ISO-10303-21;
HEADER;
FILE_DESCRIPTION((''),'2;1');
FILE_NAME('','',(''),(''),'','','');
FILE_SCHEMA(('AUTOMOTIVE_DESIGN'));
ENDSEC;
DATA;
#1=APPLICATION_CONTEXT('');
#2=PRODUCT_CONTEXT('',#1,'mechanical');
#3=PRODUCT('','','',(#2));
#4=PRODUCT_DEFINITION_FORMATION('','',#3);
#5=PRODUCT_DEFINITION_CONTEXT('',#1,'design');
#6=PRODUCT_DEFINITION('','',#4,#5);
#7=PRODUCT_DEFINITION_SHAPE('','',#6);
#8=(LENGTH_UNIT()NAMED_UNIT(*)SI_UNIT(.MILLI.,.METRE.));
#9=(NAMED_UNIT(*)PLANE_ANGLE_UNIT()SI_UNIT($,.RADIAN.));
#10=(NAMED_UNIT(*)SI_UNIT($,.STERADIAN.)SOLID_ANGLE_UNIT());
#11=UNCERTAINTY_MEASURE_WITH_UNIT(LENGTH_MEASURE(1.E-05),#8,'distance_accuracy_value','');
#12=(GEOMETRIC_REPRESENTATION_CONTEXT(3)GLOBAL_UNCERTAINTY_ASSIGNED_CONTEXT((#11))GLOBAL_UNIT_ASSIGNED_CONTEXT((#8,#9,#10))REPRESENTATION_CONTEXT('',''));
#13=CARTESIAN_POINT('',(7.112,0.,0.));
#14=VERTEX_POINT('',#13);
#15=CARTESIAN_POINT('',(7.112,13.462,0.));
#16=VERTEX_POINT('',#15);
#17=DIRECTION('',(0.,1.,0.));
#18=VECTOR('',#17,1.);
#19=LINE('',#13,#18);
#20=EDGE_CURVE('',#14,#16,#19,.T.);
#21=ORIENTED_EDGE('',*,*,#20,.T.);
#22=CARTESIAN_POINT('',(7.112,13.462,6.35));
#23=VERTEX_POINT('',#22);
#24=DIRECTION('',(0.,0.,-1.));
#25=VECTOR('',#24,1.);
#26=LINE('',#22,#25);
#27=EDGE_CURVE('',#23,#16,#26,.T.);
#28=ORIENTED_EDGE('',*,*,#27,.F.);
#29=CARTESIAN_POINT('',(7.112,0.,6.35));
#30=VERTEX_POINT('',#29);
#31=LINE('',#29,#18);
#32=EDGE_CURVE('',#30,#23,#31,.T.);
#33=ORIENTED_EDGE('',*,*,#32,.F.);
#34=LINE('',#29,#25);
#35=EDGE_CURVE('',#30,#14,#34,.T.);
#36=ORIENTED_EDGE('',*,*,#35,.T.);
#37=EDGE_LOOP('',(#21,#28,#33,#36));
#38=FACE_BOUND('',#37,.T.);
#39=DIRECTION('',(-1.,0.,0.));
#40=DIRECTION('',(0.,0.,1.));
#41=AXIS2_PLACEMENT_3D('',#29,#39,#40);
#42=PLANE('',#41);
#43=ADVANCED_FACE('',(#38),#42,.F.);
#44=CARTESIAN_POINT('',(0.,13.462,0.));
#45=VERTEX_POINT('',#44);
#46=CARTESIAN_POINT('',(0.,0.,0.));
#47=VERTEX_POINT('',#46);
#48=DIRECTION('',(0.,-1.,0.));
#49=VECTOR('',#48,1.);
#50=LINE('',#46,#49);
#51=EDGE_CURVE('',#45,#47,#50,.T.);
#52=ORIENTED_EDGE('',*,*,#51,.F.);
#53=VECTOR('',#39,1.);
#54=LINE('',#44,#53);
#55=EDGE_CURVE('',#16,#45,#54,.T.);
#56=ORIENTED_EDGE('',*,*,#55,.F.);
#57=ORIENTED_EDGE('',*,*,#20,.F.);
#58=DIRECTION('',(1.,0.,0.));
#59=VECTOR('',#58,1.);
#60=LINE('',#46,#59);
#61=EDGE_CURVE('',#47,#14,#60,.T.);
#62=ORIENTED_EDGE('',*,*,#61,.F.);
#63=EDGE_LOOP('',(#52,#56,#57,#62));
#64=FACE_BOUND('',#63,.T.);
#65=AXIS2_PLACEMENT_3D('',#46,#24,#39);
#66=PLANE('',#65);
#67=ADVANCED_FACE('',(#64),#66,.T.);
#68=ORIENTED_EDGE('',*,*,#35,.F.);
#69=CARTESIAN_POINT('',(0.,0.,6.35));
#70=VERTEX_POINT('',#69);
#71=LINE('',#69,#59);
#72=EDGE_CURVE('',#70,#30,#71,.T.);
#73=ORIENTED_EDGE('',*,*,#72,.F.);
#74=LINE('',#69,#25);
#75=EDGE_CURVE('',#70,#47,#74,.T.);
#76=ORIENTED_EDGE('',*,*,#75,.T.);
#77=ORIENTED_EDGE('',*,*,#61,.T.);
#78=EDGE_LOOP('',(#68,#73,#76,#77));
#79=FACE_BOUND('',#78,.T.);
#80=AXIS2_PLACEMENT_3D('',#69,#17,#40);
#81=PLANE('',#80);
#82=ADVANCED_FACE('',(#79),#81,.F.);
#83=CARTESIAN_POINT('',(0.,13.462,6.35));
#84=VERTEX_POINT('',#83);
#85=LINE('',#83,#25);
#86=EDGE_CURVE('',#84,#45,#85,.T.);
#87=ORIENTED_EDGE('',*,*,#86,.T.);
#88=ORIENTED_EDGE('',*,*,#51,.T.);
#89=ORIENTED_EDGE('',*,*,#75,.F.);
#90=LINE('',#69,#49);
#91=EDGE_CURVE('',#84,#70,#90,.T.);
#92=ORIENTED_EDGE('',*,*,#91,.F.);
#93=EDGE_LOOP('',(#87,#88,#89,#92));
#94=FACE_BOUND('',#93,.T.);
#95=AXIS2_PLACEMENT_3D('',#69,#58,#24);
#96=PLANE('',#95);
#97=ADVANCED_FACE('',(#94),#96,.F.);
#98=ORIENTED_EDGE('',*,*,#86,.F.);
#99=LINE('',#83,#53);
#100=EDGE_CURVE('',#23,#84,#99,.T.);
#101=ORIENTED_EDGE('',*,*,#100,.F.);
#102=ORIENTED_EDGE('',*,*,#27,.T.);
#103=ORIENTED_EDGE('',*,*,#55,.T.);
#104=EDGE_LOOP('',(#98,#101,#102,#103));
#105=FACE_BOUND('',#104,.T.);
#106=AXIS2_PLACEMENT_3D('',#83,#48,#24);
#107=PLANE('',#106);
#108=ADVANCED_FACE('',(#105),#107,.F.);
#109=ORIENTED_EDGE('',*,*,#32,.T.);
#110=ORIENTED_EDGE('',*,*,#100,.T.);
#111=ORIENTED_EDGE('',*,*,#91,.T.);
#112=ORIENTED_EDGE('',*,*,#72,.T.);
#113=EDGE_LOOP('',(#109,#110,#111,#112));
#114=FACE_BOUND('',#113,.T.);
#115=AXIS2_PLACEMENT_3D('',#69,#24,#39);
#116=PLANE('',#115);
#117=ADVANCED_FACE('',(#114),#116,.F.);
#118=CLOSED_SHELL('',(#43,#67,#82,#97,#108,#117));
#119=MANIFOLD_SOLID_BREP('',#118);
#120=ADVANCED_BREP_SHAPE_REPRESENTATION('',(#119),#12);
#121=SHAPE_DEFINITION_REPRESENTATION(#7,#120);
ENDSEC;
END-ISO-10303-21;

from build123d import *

# Parameters (mm, degrees)
SKETCH1_W           = 7.112
SKETCH1_H           = 13.462
BOSS_EXTRUDE1_DEPTH = 6.35


with BuildPart() as part:
    # Sketch1 → Boss-Extrude1 (new body)
    with BuildSketch(Plane.XY):
        with Locations((3.556, 6.731)):
            Rectangle(SKETCH1_W, SKETCH1_H)
    extrude(amount=BOSS_EXTRUDE1_DEPTH)


solid = part.part
